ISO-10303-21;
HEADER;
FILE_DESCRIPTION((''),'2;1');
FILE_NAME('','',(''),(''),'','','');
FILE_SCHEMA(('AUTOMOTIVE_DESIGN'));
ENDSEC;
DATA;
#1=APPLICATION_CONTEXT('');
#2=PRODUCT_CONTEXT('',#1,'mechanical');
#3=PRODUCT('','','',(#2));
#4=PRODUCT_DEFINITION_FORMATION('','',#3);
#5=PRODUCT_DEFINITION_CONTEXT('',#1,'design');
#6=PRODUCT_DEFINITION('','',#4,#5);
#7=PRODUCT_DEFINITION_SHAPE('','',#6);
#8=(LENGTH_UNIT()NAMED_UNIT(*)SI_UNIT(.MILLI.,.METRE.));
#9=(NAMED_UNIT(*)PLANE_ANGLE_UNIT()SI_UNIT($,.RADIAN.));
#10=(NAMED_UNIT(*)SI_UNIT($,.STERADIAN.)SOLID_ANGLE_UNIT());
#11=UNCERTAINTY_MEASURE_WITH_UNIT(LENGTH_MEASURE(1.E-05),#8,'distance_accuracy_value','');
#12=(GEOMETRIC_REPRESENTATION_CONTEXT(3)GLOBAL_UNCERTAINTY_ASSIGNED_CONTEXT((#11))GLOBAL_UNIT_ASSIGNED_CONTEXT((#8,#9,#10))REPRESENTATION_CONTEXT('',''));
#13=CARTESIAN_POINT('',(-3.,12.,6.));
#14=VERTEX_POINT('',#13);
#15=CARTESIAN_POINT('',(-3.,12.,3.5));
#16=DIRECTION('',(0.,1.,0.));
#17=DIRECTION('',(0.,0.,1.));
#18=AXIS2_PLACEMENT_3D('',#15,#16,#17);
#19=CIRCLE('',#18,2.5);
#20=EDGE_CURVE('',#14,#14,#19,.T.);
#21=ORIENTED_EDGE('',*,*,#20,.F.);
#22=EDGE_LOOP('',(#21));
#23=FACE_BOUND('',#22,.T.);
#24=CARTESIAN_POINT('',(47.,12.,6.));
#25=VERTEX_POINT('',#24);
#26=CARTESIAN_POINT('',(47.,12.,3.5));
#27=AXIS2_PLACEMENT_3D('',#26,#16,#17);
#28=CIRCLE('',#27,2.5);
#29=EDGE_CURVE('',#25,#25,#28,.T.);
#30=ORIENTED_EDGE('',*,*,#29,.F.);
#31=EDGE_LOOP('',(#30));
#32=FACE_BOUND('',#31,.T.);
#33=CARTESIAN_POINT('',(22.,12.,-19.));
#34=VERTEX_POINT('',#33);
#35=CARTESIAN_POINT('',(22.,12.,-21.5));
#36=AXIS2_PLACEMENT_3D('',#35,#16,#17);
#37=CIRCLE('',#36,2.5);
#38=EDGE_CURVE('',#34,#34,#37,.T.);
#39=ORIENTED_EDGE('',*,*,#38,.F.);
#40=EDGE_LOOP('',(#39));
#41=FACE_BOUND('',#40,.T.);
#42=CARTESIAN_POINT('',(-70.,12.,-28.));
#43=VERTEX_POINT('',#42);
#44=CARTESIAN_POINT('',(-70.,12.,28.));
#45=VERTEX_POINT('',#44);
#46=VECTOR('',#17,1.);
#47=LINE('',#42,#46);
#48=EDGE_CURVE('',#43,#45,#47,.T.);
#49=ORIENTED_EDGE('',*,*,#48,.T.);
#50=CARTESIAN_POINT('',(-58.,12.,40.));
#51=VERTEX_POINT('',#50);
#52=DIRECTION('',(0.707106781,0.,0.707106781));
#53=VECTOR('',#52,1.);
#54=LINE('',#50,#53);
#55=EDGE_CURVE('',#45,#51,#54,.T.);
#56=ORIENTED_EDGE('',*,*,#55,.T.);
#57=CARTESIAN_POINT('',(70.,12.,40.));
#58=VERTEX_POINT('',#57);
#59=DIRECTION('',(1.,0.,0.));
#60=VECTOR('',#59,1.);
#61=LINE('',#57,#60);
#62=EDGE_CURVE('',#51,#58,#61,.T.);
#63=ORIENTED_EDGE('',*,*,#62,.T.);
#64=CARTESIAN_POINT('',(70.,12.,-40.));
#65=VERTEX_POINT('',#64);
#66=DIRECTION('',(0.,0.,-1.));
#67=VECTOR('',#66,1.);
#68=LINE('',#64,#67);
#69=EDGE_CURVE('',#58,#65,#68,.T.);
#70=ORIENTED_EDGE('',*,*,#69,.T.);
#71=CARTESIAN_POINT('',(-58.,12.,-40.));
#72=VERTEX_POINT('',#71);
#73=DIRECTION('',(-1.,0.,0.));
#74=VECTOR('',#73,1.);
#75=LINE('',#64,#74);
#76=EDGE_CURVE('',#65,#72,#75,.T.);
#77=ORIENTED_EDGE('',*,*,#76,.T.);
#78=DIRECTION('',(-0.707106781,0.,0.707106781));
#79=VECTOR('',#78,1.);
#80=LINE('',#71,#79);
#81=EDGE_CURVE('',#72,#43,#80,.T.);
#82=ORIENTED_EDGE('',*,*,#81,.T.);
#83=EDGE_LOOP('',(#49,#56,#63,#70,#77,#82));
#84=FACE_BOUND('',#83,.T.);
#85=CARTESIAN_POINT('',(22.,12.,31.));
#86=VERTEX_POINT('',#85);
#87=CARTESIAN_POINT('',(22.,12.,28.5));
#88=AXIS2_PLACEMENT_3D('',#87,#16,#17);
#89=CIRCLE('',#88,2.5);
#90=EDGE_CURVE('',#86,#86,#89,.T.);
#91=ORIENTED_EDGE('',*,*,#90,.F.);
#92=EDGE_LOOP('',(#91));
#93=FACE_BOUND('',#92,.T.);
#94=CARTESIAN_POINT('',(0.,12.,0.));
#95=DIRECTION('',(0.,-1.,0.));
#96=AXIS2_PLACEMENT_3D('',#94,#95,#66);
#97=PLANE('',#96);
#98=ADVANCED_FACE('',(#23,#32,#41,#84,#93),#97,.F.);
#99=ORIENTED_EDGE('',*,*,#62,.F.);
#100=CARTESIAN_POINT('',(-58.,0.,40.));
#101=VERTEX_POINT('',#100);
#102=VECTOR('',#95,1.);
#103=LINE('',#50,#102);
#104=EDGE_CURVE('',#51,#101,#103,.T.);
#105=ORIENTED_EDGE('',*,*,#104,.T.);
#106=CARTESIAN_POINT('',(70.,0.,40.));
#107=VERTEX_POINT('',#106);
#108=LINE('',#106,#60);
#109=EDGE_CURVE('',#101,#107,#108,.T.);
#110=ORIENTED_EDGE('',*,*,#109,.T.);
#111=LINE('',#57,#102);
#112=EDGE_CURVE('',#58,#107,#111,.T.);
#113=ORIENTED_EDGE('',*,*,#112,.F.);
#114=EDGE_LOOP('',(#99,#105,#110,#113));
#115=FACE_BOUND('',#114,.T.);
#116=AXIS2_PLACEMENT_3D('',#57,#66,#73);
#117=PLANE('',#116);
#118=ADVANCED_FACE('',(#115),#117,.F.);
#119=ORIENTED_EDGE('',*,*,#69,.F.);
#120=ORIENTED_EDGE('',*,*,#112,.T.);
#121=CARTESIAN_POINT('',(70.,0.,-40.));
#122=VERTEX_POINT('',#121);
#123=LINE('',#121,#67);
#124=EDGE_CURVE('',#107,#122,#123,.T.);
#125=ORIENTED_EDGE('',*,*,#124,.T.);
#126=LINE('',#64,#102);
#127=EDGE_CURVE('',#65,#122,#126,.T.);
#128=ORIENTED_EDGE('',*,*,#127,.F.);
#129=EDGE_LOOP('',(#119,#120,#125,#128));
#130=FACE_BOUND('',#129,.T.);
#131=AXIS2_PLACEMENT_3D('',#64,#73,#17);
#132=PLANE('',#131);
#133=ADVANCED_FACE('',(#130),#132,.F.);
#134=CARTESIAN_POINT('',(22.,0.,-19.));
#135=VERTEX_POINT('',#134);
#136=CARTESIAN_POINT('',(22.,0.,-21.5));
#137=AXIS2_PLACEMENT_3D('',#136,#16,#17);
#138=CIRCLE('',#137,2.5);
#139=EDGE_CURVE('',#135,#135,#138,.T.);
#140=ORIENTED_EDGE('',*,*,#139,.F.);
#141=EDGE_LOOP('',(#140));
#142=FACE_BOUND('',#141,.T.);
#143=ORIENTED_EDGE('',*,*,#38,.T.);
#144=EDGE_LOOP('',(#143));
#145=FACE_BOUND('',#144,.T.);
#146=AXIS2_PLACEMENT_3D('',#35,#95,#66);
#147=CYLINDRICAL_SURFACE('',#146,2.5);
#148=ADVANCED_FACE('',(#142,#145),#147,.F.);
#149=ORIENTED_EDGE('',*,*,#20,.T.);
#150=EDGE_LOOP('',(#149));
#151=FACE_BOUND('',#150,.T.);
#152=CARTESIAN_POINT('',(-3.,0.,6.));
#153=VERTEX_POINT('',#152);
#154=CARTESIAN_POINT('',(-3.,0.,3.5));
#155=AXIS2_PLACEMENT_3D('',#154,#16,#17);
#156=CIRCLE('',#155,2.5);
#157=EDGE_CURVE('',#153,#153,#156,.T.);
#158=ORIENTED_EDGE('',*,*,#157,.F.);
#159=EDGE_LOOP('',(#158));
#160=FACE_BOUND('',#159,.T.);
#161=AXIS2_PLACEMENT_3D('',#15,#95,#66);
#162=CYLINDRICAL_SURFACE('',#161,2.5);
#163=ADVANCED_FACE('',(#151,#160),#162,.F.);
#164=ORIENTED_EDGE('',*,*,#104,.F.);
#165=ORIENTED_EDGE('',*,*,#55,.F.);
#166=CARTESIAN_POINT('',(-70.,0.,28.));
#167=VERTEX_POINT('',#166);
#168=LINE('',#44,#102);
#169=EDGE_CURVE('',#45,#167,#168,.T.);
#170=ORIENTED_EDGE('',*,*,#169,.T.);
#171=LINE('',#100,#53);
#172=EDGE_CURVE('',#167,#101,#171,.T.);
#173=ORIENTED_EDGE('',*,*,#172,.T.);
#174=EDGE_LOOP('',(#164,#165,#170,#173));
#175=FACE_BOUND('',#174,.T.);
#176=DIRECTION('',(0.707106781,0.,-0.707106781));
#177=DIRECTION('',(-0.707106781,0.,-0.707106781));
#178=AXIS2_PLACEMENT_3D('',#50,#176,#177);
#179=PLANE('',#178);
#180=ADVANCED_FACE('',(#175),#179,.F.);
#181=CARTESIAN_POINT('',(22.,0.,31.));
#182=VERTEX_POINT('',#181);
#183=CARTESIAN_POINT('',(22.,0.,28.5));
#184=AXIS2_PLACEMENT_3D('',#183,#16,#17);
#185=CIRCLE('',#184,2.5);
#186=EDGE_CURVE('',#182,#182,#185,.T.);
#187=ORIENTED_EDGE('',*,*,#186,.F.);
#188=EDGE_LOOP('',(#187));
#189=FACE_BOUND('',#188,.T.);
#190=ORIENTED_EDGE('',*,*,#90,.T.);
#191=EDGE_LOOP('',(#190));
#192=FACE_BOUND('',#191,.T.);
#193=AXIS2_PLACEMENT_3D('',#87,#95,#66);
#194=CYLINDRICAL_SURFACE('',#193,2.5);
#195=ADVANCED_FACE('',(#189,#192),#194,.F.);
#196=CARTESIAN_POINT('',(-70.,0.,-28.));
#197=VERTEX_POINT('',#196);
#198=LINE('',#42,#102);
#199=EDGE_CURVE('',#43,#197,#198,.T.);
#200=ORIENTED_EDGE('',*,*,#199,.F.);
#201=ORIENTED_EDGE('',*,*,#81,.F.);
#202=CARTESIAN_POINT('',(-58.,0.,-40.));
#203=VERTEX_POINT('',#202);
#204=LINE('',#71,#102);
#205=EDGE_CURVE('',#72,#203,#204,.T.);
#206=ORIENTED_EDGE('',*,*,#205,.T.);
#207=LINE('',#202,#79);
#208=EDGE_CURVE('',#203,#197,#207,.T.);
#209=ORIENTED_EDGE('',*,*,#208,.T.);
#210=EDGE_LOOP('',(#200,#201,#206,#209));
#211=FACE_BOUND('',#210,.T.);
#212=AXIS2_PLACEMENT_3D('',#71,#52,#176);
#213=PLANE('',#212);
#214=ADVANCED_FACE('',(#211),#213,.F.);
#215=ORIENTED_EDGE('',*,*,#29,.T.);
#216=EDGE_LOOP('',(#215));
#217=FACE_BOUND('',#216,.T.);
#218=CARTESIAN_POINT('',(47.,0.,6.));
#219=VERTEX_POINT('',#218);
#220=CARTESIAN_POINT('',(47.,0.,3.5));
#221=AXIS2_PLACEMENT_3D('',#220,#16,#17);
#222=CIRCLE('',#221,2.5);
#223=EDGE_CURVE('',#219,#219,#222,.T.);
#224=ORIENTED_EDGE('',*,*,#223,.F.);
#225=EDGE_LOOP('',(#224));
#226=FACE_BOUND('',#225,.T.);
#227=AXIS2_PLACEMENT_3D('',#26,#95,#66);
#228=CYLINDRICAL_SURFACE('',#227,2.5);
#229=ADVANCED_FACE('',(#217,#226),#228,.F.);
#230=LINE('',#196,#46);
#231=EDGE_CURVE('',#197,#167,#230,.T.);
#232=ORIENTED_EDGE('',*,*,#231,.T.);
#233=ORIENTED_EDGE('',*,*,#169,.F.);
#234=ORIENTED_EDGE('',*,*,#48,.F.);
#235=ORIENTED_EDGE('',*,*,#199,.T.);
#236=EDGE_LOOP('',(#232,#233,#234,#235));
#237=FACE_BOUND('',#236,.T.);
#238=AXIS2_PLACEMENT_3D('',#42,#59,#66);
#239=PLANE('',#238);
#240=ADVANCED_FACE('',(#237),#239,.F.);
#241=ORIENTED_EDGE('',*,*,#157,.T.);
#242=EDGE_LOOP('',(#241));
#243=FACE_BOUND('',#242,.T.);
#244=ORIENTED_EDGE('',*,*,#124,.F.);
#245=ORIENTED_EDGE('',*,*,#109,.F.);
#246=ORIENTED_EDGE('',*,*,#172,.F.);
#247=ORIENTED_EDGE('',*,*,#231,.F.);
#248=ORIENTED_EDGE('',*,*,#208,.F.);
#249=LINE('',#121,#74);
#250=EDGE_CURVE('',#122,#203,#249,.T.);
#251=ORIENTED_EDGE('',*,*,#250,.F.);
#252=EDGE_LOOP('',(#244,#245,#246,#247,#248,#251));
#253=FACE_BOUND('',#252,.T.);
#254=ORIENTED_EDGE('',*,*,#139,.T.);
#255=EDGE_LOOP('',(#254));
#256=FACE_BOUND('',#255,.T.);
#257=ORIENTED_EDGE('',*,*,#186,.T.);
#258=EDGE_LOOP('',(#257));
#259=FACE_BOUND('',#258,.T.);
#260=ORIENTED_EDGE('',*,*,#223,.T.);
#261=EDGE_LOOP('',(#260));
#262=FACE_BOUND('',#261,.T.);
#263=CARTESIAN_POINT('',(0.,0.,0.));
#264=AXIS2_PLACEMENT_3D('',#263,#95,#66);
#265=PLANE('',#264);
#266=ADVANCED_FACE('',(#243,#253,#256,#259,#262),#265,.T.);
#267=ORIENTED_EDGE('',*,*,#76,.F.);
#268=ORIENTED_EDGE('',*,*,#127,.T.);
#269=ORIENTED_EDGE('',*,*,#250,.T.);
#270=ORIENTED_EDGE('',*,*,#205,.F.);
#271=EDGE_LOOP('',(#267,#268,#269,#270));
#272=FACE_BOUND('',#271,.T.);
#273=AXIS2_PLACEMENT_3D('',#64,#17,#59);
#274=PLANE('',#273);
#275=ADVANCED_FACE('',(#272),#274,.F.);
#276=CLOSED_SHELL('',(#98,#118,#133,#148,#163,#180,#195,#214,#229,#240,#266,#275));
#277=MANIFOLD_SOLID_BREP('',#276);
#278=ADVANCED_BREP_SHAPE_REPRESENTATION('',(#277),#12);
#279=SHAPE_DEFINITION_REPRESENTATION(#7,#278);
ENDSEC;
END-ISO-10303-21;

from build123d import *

# Parameters (mm, degrees)
SKETCH1_R           = 2.5
BOSS_EXTRUDE1_DEPTH = 12


with BuildPart() as part:
    # Sketch1 → Boss-Extrude1 (new body)
    with BuildSketch(Plane(origin=(0, 0, 0), x_dir=(1, 0, 0), z_dir=(0, 1, 0))):
        Polygon((-58, -40), (-70, -28), (-70, 28), (-58, 40), (70, 40), (70, -40), align=None)
        with Locations(Location((22, 21.5, 0), (0, 0, 270))):
            Circle(SKETCH1_R, mode=Mode.SUBTRACT)
        with Locations(Location((47, -3.5, 0), (0, 0, 270))):
            Circle(SKETCH1_R, mode=Mode.SUBTRACT)
        with Locations(Location((22, -28.5, 0), (0, 0, 270))):
            Circle(SKETCH1_R, mode=Mode.SUBTRACT)
        with Locations(Location((-3, -3.5, 0), (0, 0, 270))):
            Circle(SKETCH1_R, mode=Mode.SUBTRACT)
    extrude(amount=BOSS_EXTRUDE1_DEPTH)


solid = part.part
